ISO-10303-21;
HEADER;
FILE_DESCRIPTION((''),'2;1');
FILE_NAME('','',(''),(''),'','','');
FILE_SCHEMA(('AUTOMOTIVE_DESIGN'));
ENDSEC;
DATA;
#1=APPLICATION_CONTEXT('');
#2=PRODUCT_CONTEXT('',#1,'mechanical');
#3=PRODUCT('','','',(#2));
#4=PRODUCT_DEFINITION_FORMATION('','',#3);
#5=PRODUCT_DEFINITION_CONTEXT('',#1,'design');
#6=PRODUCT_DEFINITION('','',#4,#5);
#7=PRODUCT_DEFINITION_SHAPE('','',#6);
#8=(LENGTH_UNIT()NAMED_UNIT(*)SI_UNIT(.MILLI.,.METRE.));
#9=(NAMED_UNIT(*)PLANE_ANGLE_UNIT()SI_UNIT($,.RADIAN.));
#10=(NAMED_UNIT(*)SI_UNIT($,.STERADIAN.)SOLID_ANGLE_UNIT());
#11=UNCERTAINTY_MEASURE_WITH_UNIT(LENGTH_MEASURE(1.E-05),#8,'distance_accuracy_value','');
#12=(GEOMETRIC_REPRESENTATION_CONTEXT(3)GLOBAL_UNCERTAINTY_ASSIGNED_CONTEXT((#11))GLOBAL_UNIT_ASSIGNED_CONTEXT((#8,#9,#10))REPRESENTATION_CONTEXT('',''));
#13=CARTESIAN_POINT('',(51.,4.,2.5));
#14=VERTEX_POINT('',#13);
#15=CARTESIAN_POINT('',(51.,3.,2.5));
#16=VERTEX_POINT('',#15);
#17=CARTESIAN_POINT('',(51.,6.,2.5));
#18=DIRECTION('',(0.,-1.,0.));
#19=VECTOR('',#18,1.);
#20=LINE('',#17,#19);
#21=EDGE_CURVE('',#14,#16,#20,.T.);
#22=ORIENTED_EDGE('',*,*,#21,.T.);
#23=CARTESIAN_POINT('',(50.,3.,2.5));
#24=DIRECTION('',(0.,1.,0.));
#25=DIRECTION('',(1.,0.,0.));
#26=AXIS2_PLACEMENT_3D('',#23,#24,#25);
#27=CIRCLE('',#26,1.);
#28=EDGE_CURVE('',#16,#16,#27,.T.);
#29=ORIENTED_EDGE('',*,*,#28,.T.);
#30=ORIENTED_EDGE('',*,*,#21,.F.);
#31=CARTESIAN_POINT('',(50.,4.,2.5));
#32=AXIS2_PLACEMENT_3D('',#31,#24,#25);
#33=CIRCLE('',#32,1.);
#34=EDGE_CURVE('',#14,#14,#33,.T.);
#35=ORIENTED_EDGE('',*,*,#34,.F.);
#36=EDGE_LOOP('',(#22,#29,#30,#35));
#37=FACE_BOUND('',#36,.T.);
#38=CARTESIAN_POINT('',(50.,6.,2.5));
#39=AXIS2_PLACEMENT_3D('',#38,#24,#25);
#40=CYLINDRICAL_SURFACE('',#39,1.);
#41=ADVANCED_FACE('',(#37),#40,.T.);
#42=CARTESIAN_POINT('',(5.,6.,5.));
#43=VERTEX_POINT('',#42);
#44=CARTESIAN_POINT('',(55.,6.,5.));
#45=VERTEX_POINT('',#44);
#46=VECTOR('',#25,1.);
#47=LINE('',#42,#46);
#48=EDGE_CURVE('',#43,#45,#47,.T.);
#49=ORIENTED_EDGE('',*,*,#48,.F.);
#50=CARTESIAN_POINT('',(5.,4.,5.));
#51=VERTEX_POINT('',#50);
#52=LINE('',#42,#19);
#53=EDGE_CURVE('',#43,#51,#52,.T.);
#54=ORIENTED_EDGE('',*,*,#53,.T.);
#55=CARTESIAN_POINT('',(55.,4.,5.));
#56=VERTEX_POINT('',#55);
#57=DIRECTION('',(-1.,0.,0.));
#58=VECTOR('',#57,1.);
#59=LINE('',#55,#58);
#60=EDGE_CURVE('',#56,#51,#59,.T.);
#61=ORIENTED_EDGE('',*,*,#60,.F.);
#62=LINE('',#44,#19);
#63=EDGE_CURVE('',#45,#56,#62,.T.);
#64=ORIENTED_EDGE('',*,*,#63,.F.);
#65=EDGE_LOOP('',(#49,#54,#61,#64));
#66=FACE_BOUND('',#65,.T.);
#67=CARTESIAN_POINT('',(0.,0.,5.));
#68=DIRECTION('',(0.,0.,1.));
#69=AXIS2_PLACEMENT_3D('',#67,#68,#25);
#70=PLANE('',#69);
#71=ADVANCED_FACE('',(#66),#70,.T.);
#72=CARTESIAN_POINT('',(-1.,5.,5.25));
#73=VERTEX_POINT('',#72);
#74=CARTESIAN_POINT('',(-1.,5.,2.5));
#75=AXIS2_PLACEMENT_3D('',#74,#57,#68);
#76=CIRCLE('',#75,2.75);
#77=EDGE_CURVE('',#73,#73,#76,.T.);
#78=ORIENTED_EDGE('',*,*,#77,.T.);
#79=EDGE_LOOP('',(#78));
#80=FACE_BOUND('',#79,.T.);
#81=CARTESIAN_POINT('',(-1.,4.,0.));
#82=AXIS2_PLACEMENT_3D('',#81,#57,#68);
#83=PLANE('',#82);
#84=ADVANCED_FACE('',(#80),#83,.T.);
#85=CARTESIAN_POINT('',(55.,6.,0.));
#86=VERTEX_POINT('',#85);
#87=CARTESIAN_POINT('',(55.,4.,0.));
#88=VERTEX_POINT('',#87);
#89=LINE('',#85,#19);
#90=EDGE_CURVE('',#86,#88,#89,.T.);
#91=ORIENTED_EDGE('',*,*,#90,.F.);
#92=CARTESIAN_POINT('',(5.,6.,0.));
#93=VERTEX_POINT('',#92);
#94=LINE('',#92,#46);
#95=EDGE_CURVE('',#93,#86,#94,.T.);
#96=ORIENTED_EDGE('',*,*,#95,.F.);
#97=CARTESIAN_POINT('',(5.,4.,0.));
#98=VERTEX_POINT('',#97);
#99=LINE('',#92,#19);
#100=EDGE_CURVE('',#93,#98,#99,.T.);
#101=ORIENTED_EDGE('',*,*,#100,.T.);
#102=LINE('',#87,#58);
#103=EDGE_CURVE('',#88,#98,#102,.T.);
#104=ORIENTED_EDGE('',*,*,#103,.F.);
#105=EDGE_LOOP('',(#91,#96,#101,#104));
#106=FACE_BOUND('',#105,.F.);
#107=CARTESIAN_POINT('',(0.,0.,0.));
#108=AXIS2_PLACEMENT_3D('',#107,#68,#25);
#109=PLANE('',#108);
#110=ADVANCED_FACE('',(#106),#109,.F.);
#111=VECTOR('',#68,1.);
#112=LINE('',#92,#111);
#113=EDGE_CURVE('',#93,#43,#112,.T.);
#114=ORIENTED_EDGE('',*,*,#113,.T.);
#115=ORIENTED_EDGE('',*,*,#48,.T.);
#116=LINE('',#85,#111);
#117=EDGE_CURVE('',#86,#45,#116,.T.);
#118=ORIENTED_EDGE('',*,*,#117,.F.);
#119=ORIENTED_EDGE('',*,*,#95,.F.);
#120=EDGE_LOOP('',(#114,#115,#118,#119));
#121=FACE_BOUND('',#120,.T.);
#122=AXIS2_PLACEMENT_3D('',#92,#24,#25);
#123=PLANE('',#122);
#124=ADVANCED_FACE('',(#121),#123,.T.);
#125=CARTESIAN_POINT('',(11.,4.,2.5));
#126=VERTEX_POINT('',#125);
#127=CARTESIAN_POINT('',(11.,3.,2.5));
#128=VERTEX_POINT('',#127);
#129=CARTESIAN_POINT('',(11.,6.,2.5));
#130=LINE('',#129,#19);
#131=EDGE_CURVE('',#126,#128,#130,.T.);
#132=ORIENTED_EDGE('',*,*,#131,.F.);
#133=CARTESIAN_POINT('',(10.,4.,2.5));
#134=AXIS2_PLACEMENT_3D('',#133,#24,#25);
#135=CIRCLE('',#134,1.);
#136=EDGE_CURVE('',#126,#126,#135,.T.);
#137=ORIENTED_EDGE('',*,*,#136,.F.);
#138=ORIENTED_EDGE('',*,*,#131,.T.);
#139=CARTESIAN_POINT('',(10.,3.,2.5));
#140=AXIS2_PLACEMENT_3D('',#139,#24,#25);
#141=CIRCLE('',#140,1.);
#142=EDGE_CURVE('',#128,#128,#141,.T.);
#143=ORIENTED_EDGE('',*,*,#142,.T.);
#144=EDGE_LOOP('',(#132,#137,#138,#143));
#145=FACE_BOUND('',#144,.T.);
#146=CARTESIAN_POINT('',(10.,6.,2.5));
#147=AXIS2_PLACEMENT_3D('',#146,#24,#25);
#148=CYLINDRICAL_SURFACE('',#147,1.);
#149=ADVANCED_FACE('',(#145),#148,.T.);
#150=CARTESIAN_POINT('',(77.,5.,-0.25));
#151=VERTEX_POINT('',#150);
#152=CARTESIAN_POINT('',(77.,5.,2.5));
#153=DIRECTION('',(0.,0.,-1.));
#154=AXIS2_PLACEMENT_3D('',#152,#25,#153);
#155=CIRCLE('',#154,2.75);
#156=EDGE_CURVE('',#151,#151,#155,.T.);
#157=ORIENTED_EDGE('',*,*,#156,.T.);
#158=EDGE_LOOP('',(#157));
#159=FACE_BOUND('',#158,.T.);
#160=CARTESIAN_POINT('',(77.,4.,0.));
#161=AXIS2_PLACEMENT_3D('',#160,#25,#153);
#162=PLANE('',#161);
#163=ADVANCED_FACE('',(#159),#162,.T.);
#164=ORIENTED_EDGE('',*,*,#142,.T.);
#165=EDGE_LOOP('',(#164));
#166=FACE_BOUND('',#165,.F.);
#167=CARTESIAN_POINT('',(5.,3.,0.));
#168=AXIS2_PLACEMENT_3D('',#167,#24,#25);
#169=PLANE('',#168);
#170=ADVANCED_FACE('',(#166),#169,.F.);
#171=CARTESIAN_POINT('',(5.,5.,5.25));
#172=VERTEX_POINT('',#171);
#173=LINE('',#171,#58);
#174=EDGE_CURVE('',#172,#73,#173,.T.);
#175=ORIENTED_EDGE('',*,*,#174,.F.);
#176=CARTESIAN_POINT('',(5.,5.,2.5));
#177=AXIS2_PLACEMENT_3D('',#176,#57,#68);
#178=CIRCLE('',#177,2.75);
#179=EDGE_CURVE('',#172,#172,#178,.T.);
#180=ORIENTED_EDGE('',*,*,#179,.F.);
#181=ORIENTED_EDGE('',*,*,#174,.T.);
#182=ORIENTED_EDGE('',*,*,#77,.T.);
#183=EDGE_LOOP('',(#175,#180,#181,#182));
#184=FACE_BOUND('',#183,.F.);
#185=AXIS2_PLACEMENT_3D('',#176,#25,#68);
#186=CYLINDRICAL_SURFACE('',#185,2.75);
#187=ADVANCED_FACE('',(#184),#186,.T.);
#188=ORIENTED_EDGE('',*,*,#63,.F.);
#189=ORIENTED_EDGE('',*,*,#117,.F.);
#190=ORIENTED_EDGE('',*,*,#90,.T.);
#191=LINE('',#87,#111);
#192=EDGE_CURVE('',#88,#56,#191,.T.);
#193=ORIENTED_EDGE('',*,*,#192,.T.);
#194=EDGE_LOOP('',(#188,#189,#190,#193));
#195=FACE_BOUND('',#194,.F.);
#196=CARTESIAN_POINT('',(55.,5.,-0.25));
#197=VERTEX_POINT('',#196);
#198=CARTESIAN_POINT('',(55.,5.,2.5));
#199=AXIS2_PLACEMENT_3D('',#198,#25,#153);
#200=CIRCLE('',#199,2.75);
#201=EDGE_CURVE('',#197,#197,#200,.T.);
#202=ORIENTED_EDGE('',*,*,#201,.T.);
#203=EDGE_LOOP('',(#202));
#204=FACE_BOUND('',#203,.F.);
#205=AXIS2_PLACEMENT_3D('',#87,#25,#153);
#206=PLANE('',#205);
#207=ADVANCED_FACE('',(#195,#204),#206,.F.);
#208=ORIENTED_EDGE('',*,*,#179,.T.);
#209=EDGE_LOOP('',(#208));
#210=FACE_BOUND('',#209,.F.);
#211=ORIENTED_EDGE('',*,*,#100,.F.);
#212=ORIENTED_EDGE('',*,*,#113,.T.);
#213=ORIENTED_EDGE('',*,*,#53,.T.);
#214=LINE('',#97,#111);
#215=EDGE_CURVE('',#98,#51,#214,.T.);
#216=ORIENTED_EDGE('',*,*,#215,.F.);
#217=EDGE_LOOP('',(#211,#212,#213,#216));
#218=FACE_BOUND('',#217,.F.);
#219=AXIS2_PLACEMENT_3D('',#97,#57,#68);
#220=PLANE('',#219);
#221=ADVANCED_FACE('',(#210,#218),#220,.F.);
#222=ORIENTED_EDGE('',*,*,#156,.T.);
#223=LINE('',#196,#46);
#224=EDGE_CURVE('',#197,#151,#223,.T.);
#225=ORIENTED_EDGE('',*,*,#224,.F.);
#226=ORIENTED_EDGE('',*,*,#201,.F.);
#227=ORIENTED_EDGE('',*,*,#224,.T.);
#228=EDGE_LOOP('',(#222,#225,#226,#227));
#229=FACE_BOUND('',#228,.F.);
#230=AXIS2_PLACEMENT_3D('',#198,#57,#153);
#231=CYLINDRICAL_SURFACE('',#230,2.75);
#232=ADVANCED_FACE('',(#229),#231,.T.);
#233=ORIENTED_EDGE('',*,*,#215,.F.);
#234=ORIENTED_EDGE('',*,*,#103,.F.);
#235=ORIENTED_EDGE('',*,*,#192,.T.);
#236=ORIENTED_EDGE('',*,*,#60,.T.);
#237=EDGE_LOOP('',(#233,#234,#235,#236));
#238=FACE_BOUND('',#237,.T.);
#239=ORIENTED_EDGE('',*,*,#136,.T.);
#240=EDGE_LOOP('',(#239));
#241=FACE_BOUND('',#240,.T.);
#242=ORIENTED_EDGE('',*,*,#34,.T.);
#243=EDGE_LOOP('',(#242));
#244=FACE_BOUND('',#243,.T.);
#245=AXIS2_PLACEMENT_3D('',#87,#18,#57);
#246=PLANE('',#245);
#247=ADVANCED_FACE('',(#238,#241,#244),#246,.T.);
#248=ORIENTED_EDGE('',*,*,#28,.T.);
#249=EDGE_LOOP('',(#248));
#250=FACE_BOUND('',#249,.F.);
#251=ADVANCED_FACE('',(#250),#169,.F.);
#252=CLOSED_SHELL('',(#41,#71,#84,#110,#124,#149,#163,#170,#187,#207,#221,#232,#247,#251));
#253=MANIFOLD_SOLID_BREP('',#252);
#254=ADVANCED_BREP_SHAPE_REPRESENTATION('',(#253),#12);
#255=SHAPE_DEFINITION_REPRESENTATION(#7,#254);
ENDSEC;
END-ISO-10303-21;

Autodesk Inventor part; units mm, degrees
ref_plane "YZ Plane" through (0, 0, 0) normal (1, 0, 0) x (0, 1, 0)
ref_plane "XZ Plane" through (0, 0, 0) normal (0, 1, 0) x (-1, 0, 0)
ref_plane "XY Plane" through (0, 0, 0) normal (0, 0, 1) x (1, 0, 0)
sketch "Esquisse1" plane through (0, 0, 0) normal (0, 0, 1) x (1, 0, 0)
  line L0 (0, 10) -> (5, 10)
  line L1 (5, 6) -> (5, 10)
  line L2 (5, 6) -> (55, 6)
  line L3 (55, 6) -> (55, 10)
  line L4 (55, 0) -> (55, 4)
  line L5 (55, 4) -> (5, 4)
  line L6 (5, 6) -> (5, 4)
  line L7 (55, 6) -> (55, 4)
  point P0 (0, 0)
  point P1 (25, 10)
  dimension "d39" = 50
  dimension "d40" = 5
extrude "Extrusion1" add sketch "Esquisse1" along normal blind 5
sketch "Esquisse9" plane through (5, 6, 0) normal (0, 1, 0) x (1, 0, 0)
  line L0 (0, 0) -> (5, 0)
  line L1 (5, 0) -> (45, 0)
  line L2 (0, 0) -> (50, 0) projected
  line L3 (45, 0) -> (45, -2.5)
  line L4 (5, 0) -> (5, -2.5)
  circle A0 centre (5, -2.5) radius 1
  circle A1 centre (45, -2.5) radius 1
  point P0 (-5, 0)
  dimension "d42" = 5
  dimension "d43" = 40
  dimension "d44" = 2
  dimension "d45" = 2
extrude "Extrusion9" add sketch "Esquisse9" against normal blind 3
sketch "Esquisse10" plane through (55, 4, 0) normal (1, 0, 0) x (0, 0, -1)
  line L0 (0, 0) -> (0, 2) projected
  line L1 (0, 1) -> (-5, 1)
  line L2 (-5, 0) -> (-5, 2) projected
  circle A0 centre (-2.5, 1) radius 2.75
  point P0 (0, -4)
  dimension "d50" = 5.5
extrude "Extrusion10" add sketch "Esquisse10" along normal blind 22
sketch "Esquisse11" plane through (5, 4, 0) normal (-1, 0, 0) x (0, 0, 1)
  circle A0 centre (2.5, 1) radius 2.75 projected
  circle A1 centre (2.5, 1) radius 2.75
  point P0 (0, -4)
extrude "Extrusion11" add sketch "Esquisse11" along normal blind 6
properties part number "Cheville"
